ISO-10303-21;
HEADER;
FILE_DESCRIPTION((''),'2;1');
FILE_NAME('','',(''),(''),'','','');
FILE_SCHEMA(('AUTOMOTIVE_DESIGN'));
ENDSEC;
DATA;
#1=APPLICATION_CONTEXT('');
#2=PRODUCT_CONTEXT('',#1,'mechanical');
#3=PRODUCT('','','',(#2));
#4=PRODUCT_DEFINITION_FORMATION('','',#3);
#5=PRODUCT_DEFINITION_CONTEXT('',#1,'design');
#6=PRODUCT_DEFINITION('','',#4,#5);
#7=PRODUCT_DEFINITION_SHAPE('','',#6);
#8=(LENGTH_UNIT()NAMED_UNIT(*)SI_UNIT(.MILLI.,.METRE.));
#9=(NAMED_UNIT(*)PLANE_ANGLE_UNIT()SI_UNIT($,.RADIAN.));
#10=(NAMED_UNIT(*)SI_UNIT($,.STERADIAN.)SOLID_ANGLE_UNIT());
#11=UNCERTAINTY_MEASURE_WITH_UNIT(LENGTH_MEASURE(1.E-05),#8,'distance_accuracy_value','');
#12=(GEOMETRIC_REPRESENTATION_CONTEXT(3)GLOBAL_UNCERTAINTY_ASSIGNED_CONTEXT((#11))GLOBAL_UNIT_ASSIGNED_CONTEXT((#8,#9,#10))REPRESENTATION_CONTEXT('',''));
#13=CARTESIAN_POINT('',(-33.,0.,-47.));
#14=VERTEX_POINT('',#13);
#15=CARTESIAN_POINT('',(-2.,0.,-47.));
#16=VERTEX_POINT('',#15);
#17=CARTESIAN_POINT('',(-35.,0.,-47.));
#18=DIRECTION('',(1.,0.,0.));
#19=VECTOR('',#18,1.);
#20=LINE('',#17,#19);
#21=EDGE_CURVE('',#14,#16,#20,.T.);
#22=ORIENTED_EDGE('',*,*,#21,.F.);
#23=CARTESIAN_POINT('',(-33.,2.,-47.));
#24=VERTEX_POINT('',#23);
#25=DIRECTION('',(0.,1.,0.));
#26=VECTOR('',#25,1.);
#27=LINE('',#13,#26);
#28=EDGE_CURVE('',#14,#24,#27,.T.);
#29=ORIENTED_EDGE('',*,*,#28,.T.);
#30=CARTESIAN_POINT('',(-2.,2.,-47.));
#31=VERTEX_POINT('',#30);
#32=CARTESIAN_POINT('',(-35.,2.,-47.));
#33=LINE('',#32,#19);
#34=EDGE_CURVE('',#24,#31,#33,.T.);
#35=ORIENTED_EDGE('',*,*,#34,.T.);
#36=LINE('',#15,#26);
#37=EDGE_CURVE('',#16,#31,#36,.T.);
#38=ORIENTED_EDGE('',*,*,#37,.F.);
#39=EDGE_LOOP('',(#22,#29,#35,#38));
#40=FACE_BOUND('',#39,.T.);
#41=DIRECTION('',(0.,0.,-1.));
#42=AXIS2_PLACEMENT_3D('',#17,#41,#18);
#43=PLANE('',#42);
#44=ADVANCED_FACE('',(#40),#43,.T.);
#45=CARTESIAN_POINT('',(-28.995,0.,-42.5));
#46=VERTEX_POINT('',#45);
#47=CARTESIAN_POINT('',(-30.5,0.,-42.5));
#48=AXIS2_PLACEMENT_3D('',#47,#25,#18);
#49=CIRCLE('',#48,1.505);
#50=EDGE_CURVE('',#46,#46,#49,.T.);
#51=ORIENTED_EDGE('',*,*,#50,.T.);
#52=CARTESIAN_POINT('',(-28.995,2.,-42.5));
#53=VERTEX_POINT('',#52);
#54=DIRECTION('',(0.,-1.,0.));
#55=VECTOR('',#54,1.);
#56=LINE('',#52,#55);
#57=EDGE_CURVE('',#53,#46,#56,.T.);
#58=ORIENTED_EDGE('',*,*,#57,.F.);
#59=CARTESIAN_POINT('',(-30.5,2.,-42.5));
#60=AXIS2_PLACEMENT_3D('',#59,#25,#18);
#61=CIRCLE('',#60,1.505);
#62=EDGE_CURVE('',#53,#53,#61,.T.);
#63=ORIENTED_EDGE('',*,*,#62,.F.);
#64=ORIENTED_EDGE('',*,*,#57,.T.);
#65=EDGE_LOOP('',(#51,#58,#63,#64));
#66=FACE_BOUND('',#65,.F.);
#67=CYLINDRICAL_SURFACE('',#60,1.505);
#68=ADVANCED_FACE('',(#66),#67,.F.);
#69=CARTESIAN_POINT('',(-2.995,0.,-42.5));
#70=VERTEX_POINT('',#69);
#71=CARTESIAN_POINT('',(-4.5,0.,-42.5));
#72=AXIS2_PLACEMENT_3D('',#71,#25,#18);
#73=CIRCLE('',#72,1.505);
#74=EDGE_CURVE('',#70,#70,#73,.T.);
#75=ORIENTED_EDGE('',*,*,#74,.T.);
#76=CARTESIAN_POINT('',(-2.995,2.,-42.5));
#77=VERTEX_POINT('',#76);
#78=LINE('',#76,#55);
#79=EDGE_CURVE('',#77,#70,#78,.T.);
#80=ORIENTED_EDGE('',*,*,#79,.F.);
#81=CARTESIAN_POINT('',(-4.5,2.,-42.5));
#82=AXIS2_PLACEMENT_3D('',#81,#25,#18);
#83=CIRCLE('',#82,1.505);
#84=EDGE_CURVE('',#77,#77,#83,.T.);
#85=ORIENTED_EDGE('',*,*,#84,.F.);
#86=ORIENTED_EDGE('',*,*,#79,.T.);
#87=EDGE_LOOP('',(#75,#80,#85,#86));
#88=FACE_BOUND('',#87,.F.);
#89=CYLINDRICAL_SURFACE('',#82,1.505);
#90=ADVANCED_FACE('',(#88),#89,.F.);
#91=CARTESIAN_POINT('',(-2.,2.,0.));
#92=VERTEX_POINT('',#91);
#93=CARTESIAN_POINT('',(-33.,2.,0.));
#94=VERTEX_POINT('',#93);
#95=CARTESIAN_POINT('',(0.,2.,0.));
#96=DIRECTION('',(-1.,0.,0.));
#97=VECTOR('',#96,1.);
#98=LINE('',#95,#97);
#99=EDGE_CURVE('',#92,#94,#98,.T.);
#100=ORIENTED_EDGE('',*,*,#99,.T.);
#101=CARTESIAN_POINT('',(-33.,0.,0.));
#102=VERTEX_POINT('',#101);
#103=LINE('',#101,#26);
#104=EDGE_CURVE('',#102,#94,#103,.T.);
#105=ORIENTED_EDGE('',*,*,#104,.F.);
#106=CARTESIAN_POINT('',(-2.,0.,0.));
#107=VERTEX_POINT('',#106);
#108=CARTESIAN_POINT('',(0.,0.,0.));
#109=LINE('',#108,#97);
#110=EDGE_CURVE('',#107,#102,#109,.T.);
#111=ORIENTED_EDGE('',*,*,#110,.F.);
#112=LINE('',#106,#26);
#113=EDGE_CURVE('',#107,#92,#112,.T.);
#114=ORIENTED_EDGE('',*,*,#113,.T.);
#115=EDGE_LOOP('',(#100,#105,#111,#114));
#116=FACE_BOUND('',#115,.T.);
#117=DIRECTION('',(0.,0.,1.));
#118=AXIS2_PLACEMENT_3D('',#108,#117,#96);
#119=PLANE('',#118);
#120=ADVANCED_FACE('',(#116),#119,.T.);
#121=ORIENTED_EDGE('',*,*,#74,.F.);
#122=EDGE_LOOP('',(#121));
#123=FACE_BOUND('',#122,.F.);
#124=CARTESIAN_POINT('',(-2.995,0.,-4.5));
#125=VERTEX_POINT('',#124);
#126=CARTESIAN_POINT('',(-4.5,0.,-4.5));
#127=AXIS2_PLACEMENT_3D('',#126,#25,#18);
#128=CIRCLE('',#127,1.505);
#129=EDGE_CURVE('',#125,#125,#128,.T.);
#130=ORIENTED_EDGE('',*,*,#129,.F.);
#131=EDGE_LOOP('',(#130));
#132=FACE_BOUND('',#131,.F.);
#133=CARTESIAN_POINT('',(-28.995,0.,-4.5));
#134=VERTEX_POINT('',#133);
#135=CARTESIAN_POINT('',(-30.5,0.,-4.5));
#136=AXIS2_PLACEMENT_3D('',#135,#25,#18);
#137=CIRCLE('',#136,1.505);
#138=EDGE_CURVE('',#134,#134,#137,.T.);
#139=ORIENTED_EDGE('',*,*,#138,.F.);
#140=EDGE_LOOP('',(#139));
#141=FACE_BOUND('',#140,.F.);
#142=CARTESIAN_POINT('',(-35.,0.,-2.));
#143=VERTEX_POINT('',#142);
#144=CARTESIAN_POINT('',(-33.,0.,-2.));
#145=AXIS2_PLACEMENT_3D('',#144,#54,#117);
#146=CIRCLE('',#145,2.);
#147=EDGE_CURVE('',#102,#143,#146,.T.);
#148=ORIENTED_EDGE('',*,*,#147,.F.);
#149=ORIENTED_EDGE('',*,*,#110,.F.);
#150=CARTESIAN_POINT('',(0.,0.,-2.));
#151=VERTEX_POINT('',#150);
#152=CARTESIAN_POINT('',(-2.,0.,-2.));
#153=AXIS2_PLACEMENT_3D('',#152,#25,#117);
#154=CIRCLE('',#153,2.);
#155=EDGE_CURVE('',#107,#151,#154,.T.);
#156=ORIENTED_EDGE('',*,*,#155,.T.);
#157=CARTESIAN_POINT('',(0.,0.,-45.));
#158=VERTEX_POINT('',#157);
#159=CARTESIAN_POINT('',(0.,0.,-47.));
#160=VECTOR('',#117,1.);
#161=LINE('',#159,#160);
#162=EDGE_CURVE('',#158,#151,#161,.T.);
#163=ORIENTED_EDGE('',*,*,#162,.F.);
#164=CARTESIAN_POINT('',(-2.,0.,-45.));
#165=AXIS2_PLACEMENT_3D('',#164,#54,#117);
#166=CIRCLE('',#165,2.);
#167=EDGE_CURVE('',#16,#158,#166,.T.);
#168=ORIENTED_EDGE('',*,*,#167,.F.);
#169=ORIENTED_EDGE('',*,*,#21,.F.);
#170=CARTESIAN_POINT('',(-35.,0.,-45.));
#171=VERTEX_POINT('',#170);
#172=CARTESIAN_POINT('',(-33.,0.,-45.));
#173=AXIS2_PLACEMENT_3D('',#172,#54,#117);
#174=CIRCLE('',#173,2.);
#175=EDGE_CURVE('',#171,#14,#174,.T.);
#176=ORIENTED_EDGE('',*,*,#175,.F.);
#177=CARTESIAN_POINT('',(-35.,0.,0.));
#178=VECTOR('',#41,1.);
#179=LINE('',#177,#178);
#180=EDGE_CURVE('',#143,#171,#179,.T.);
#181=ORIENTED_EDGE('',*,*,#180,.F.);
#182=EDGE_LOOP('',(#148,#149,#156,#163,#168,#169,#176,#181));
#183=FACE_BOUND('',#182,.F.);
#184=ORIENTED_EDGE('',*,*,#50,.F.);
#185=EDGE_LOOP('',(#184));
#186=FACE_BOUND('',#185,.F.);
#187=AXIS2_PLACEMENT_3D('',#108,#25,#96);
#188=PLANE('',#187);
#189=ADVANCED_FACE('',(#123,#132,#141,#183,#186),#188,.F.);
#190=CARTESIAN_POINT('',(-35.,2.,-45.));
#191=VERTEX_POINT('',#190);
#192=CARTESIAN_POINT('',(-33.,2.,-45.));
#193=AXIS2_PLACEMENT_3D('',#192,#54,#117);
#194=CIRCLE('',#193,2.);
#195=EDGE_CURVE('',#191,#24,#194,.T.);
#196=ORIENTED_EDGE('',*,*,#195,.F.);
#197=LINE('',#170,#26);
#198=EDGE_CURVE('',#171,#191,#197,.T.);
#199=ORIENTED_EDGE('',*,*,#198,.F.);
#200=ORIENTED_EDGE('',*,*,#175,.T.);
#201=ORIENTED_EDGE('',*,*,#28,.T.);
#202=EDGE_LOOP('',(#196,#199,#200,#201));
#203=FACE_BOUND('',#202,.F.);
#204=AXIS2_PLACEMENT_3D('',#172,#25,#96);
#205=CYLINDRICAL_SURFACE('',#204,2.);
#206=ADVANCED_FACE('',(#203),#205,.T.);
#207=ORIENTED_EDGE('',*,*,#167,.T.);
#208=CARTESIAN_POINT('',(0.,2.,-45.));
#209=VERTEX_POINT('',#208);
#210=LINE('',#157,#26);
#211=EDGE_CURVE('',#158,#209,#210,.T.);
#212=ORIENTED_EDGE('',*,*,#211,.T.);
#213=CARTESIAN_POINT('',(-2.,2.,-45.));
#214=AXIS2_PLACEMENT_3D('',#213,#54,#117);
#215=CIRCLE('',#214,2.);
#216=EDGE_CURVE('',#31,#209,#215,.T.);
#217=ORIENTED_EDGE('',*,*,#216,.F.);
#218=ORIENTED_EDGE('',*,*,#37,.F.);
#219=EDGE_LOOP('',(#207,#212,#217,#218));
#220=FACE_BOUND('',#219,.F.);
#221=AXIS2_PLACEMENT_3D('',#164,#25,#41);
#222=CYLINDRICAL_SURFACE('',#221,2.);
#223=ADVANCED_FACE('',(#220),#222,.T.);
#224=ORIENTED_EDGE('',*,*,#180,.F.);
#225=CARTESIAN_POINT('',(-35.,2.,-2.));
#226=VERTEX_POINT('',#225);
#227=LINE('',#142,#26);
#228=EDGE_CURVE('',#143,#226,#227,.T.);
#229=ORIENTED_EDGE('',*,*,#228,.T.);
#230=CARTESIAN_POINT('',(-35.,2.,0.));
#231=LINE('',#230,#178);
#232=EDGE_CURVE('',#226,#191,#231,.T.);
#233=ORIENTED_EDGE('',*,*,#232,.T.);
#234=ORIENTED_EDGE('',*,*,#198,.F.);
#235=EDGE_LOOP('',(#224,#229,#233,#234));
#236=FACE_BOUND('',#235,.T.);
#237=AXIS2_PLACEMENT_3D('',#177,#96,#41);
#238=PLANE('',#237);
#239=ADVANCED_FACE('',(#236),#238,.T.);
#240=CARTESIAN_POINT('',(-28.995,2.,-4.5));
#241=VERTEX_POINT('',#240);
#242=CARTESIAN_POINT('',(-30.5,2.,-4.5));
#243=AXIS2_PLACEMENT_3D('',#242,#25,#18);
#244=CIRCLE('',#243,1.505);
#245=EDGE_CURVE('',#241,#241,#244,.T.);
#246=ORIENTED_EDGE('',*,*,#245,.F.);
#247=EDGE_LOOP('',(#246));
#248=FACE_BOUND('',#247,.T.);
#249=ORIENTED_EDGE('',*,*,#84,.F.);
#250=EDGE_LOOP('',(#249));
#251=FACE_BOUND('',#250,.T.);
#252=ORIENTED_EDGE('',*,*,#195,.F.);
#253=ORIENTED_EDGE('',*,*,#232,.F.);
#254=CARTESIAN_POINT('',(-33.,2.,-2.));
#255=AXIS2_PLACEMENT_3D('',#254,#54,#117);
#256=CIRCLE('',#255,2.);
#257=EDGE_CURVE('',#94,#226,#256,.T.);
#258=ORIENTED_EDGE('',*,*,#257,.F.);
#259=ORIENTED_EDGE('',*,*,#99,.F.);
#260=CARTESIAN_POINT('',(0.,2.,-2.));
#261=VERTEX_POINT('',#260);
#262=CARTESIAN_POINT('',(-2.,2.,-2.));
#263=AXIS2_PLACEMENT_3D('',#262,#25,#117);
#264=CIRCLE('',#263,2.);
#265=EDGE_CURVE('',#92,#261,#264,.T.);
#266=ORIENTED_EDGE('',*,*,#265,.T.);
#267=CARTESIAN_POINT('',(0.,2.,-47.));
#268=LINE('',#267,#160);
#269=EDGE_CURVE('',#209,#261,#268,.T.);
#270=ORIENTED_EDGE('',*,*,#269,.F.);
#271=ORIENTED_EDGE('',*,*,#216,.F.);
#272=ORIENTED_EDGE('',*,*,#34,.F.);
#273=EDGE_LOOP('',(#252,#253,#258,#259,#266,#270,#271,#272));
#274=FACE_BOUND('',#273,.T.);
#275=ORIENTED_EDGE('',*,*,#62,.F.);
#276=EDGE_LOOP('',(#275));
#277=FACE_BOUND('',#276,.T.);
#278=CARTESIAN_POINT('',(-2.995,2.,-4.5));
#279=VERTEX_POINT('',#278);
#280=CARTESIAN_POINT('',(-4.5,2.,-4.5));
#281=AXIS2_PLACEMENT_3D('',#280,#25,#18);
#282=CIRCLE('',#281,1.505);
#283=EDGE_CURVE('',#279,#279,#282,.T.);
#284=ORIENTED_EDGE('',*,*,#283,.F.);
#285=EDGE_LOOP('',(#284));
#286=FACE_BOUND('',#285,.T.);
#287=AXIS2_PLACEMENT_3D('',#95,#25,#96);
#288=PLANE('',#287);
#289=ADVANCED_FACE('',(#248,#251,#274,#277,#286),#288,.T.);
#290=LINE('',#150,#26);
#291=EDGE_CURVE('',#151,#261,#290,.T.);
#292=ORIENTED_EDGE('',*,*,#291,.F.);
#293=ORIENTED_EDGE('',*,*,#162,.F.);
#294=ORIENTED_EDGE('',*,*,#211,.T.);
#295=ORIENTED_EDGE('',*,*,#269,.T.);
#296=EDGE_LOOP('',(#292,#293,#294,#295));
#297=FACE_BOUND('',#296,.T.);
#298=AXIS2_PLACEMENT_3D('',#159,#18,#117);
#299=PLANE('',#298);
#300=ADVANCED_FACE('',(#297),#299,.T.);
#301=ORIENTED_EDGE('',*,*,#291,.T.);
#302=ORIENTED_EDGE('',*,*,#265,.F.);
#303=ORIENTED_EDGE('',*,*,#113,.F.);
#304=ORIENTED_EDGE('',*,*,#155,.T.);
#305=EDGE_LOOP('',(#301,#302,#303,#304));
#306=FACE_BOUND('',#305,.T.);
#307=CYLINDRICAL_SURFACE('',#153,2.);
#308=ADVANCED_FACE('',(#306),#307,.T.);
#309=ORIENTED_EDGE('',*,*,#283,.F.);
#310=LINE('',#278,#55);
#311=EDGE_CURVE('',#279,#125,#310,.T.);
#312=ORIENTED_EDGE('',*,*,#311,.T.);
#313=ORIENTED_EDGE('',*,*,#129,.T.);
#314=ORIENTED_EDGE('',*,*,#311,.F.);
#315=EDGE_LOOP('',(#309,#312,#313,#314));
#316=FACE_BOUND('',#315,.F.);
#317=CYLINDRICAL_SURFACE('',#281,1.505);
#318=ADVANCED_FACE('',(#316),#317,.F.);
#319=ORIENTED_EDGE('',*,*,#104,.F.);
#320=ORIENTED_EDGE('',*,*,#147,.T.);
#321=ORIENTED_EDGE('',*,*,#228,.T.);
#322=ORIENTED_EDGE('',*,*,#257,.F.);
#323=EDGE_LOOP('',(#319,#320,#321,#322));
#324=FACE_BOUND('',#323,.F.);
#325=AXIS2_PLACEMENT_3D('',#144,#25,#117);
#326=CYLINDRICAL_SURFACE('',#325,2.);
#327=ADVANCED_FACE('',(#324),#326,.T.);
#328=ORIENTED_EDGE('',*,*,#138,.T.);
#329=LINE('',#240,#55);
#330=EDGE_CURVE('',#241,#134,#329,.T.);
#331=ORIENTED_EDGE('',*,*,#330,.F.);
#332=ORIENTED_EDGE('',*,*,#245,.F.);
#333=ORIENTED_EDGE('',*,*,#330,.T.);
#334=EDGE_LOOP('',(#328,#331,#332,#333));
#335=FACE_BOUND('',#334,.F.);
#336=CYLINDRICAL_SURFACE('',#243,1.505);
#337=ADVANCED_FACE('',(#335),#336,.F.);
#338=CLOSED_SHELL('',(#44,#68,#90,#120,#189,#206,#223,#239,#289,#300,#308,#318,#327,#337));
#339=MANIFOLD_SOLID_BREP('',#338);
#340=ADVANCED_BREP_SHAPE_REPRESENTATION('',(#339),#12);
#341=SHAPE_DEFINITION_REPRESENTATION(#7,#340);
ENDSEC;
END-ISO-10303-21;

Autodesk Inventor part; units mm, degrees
ref_plane "YZ Plane" through (0, 0, 0) normal (1, 0, 0) x (0, 1, 0)
ref_plane "XZ Plane" through (0, 0, 0) normal (0, 1, 0) x (-1, 0, 0)
ref_plane "XY Plane" through (0, 0, 0) normal (0, 0, 1) x (1, 0, 0)
sketch "Esboço1" plane through (0, 0, 0) normal (0, 1, 0) x (-1, 0, 0)
  line L0 (0, 0) -> (35, 0)
  line L1 (35, 0) -> (35, -47)
  line L2 (35, -47) -> (0, -47)
  line L3 (0, -47) -> (0, 0)
  dimension "d0" = 35
  dimension "d1" = 47
extrude "Extrusão1" add sketch "Esboço1" along normal blind 2
fillet "Arredondamento1" radius 2 4 edges at (0, 1, 0) (0, 1, -47) (-35, 1, 0) (-35, 1, -47)
sketch "Esboço5" plane through (0, 2, 0) normal (0, 1, 0) x (1, 0, 0)
  circle A0 centre (-4.5, 42.5) radius 1.505
  line L0 (-2, 47) -> (-33, 47) projected
  line L1 (0, 2) -> (0, 45) projected
  circle A1 centre (-30.5, 42.5) radius 1.505
  circle A2 centre (-4.5, 4.5) radius 1.505
  circle A3 centre (-30.5, 4.5) radius 1.505
  point P0 (0, 0)
  dimension "d26" = 3.01
  dimension "d27" = 4.5
  dimension "d28" = 4.5
  dimension "d31" = 26
  dimension "d34" = 38
extrude "Extrusão4" cut sketch "Esboço5" against normal blind 4.5
equation "\"d37\" = d28"
properties part number "Tampa"
